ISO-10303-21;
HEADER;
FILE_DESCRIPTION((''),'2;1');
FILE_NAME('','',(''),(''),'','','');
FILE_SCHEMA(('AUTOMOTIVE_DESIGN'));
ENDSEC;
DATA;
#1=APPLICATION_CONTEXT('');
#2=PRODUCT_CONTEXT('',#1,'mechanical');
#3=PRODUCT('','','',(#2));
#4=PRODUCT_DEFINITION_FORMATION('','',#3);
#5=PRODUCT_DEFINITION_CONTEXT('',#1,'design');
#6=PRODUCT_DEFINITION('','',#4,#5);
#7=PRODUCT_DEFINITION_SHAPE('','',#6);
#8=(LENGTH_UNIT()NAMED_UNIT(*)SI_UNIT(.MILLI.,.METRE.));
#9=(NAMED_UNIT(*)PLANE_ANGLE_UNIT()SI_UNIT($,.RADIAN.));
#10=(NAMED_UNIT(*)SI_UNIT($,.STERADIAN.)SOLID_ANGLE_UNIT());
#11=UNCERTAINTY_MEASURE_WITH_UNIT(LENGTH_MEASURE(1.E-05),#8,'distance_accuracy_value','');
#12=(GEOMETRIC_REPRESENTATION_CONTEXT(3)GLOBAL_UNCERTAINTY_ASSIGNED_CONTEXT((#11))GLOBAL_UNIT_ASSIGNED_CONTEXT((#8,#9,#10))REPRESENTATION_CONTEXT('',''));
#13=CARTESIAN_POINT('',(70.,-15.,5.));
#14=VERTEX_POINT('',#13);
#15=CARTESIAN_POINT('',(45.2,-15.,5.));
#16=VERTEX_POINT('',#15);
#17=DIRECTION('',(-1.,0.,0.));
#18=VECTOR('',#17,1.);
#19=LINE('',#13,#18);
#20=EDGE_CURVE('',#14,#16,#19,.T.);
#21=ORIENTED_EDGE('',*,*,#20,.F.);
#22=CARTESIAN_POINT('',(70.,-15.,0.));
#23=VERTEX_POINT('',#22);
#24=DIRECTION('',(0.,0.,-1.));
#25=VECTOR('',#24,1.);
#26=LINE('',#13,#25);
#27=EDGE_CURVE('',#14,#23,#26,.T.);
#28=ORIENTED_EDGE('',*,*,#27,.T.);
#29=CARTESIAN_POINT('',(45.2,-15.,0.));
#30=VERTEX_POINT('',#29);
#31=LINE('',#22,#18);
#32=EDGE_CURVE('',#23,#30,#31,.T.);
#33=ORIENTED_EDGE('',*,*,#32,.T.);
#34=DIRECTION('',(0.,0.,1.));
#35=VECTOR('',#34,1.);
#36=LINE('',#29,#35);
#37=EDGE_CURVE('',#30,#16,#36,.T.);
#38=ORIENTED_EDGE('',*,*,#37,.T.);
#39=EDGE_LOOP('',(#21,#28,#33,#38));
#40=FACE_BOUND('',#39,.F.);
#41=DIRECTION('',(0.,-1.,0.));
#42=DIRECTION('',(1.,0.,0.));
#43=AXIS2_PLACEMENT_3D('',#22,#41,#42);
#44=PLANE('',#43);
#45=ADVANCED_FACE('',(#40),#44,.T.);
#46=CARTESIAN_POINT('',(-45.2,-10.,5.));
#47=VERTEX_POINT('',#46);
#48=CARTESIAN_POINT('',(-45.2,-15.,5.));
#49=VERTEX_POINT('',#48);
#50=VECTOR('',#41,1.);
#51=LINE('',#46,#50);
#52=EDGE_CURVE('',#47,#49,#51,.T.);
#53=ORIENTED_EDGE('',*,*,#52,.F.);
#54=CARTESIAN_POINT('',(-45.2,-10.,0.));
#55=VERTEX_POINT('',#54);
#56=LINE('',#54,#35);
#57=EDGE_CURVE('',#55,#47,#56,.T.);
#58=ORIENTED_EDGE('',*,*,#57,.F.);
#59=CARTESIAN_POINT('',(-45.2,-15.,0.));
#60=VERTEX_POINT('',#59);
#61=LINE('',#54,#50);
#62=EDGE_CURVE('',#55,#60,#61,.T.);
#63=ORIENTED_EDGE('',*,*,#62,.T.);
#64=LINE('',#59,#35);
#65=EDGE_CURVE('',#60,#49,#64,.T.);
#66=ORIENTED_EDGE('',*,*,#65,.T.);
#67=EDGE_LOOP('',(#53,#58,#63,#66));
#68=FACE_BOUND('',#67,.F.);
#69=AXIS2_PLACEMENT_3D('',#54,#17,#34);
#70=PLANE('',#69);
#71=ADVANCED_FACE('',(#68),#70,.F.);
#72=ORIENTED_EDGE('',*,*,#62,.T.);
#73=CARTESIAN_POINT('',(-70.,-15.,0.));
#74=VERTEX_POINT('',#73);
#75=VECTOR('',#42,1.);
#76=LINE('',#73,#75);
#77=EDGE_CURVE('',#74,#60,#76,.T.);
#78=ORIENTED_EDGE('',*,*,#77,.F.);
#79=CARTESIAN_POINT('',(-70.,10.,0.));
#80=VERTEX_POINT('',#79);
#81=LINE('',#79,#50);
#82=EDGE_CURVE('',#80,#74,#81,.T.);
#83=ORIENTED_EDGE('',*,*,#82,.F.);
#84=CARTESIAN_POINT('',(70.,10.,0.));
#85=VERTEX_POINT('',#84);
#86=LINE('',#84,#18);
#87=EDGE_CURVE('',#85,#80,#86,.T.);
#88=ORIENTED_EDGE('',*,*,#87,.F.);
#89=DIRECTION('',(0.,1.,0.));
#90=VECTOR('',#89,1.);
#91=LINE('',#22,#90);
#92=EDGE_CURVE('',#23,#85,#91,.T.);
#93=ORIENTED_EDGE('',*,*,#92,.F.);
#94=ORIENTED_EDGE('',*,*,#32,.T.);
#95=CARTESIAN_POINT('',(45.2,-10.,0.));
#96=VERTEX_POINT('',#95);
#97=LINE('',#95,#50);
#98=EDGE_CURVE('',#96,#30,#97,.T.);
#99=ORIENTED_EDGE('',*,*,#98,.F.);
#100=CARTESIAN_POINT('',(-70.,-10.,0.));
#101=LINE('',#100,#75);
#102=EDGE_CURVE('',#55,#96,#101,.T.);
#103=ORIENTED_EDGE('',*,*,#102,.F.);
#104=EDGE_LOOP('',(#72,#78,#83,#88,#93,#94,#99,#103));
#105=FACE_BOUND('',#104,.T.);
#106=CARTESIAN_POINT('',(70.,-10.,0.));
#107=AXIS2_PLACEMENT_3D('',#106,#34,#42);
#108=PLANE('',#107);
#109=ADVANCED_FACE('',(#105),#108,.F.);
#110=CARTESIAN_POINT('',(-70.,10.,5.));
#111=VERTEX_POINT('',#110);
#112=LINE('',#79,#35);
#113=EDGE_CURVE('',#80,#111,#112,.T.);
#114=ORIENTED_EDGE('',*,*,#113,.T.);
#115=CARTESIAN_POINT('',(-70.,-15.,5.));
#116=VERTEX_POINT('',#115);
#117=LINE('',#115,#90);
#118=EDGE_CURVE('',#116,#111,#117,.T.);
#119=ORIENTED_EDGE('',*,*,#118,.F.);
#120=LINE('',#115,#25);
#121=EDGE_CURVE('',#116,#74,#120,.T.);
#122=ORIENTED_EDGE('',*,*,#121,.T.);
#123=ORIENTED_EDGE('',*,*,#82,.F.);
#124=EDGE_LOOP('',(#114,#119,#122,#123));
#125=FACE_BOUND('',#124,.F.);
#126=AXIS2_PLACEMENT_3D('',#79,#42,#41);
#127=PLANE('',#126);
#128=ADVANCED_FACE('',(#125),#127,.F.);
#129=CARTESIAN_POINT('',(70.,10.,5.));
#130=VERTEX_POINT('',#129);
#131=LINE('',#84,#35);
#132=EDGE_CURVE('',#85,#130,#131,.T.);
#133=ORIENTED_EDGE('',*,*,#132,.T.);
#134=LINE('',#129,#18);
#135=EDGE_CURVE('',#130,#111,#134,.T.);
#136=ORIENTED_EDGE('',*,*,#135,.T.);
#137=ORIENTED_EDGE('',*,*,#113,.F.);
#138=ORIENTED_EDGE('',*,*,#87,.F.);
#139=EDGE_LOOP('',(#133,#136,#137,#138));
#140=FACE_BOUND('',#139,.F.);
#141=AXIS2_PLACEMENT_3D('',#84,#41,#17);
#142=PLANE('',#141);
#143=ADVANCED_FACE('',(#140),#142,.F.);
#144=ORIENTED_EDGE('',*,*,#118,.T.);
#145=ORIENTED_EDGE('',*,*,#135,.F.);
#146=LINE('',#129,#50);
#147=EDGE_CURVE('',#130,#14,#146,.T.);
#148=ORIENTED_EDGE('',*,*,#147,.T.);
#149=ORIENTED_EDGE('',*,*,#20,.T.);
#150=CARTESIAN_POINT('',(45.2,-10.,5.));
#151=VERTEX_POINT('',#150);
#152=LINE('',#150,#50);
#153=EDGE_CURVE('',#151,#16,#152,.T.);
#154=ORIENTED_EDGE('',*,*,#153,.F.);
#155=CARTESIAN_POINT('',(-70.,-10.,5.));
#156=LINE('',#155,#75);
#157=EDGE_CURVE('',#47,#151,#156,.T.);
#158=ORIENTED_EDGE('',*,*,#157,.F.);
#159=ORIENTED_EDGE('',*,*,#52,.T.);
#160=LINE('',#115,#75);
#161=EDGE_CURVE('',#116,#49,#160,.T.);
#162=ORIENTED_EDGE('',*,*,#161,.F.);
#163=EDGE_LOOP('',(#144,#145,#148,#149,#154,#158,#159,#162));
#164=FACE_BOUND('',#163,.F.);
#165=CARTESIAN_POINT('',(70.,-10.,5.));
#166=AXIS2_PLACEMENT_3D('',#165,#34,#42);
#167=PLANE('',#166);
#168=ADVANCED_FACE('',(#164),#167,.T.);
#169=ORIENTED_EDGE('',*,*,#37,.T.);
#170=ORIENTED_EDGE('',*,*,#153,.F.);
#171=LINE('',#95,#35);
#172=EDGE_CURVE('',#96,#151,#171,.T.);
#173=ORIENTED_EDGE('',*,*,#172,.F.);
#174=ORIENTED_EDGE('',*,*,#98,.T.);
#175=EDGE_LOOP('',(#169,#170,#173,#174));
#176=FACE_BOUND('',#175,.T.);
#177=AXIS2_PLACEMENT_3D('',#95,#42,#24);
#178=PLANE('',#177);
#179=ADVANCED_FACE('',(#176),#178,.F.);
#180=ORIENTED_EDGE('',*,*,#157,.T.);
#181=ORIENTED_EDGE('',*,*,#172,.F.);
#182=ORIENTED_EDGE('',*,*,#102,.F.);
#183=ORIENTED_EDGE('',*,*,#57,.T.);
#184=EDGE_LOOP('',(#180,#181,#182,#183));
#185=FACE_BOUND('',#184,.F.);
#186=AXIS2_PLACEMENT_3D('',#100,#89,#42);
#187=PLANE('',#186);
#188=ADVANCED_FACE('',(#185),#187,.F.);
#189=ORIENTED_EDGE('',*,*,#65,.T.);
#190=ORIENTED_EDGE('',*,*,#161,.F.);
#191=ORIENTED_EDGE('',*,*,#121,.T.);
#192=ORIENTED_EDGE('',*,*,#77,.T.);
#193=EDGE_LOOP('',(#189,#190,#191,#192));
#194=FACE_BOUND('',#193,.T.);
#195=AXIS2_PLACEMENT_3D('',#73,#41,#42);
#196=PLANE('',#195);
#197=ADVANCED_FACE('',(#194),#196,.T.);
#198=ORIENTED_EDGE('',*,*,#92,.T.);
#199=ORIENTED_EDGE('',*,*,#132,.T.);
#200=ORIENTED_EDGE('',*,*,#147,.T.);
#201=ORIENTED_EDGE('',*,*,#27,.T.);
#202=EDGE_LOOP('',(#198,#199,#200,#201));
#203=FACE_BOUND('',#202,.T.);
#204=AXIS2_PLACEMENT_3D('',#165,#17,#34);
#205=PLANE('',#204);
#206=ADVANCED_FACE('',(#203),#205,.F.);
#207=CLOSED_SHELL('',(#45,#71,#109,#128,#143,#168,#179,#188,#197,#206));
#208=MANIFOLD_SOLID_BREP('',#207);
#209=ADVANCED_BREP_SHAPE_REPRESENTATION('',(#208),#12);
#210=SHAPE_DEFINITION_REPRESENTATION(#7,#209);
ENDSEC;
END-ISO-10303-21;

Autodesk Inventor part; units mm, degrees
ref_plane "YZ Plane" through (0, 0, 0) normal (1, 0, 0) x (0, 1, 0)
ref_plane "XZ Plane" through (0, 0, 0) normal (0, 1, 0) x (-1, 0, 0)
ref_plane "XY Plane" through (0, 0, 0) normal (0, 0, 1) x (1, 0, 0)
sketch "Sketch1" plane through (0, 0, 0) normal (0, 0, 1) x (1, 0, 0)
  line L0 (-70, -10) -> (70, -10)
  line L1 (70, -10) -> (70, 10)
  line L2 (70, 10) -> (-70, 10)
  line L3 (-70, 10) -> (-70, -10)
  point P0 (0, 0)
  dimension "width" = 140
  dimension "d1" = 70
  dimension "d2" = 20
  dimension "d3" = 10
extrude "Extrusion1" add sketch "Sketch1" along normal blind 5
sketch "Sketch4" plane through (-70, -10, 0) normal (0, -1, 0) x (1, 0, 0)
  line L0 (0, 0) -> (140, 0) projected
  line L1 (0, 5) -> (140, 5) projected
  line L2 (0, 0) -> (24.8, 0)
  line L3 (24.8, 0) -> (24.8, 5)
  line L4 (24.8, 5) -> (0, 5)
  line L5 (0, 5) -> (0, 0)
  point P0 (70, 0)
  dimension "d28" = 24.8
extrude "Extrusion4" add sketch "Sketch4" along normal blind 5
mirror "Mirror1" about plane through (0, 0, 0) normal (1, 0, 0) of "Extrusion4"
equation "\"d1\" = 0.5 * width"
equation "\"d3\" = 0.5 * d2"
properties part number "EBF_003.1-front-plate_cup-holder"
